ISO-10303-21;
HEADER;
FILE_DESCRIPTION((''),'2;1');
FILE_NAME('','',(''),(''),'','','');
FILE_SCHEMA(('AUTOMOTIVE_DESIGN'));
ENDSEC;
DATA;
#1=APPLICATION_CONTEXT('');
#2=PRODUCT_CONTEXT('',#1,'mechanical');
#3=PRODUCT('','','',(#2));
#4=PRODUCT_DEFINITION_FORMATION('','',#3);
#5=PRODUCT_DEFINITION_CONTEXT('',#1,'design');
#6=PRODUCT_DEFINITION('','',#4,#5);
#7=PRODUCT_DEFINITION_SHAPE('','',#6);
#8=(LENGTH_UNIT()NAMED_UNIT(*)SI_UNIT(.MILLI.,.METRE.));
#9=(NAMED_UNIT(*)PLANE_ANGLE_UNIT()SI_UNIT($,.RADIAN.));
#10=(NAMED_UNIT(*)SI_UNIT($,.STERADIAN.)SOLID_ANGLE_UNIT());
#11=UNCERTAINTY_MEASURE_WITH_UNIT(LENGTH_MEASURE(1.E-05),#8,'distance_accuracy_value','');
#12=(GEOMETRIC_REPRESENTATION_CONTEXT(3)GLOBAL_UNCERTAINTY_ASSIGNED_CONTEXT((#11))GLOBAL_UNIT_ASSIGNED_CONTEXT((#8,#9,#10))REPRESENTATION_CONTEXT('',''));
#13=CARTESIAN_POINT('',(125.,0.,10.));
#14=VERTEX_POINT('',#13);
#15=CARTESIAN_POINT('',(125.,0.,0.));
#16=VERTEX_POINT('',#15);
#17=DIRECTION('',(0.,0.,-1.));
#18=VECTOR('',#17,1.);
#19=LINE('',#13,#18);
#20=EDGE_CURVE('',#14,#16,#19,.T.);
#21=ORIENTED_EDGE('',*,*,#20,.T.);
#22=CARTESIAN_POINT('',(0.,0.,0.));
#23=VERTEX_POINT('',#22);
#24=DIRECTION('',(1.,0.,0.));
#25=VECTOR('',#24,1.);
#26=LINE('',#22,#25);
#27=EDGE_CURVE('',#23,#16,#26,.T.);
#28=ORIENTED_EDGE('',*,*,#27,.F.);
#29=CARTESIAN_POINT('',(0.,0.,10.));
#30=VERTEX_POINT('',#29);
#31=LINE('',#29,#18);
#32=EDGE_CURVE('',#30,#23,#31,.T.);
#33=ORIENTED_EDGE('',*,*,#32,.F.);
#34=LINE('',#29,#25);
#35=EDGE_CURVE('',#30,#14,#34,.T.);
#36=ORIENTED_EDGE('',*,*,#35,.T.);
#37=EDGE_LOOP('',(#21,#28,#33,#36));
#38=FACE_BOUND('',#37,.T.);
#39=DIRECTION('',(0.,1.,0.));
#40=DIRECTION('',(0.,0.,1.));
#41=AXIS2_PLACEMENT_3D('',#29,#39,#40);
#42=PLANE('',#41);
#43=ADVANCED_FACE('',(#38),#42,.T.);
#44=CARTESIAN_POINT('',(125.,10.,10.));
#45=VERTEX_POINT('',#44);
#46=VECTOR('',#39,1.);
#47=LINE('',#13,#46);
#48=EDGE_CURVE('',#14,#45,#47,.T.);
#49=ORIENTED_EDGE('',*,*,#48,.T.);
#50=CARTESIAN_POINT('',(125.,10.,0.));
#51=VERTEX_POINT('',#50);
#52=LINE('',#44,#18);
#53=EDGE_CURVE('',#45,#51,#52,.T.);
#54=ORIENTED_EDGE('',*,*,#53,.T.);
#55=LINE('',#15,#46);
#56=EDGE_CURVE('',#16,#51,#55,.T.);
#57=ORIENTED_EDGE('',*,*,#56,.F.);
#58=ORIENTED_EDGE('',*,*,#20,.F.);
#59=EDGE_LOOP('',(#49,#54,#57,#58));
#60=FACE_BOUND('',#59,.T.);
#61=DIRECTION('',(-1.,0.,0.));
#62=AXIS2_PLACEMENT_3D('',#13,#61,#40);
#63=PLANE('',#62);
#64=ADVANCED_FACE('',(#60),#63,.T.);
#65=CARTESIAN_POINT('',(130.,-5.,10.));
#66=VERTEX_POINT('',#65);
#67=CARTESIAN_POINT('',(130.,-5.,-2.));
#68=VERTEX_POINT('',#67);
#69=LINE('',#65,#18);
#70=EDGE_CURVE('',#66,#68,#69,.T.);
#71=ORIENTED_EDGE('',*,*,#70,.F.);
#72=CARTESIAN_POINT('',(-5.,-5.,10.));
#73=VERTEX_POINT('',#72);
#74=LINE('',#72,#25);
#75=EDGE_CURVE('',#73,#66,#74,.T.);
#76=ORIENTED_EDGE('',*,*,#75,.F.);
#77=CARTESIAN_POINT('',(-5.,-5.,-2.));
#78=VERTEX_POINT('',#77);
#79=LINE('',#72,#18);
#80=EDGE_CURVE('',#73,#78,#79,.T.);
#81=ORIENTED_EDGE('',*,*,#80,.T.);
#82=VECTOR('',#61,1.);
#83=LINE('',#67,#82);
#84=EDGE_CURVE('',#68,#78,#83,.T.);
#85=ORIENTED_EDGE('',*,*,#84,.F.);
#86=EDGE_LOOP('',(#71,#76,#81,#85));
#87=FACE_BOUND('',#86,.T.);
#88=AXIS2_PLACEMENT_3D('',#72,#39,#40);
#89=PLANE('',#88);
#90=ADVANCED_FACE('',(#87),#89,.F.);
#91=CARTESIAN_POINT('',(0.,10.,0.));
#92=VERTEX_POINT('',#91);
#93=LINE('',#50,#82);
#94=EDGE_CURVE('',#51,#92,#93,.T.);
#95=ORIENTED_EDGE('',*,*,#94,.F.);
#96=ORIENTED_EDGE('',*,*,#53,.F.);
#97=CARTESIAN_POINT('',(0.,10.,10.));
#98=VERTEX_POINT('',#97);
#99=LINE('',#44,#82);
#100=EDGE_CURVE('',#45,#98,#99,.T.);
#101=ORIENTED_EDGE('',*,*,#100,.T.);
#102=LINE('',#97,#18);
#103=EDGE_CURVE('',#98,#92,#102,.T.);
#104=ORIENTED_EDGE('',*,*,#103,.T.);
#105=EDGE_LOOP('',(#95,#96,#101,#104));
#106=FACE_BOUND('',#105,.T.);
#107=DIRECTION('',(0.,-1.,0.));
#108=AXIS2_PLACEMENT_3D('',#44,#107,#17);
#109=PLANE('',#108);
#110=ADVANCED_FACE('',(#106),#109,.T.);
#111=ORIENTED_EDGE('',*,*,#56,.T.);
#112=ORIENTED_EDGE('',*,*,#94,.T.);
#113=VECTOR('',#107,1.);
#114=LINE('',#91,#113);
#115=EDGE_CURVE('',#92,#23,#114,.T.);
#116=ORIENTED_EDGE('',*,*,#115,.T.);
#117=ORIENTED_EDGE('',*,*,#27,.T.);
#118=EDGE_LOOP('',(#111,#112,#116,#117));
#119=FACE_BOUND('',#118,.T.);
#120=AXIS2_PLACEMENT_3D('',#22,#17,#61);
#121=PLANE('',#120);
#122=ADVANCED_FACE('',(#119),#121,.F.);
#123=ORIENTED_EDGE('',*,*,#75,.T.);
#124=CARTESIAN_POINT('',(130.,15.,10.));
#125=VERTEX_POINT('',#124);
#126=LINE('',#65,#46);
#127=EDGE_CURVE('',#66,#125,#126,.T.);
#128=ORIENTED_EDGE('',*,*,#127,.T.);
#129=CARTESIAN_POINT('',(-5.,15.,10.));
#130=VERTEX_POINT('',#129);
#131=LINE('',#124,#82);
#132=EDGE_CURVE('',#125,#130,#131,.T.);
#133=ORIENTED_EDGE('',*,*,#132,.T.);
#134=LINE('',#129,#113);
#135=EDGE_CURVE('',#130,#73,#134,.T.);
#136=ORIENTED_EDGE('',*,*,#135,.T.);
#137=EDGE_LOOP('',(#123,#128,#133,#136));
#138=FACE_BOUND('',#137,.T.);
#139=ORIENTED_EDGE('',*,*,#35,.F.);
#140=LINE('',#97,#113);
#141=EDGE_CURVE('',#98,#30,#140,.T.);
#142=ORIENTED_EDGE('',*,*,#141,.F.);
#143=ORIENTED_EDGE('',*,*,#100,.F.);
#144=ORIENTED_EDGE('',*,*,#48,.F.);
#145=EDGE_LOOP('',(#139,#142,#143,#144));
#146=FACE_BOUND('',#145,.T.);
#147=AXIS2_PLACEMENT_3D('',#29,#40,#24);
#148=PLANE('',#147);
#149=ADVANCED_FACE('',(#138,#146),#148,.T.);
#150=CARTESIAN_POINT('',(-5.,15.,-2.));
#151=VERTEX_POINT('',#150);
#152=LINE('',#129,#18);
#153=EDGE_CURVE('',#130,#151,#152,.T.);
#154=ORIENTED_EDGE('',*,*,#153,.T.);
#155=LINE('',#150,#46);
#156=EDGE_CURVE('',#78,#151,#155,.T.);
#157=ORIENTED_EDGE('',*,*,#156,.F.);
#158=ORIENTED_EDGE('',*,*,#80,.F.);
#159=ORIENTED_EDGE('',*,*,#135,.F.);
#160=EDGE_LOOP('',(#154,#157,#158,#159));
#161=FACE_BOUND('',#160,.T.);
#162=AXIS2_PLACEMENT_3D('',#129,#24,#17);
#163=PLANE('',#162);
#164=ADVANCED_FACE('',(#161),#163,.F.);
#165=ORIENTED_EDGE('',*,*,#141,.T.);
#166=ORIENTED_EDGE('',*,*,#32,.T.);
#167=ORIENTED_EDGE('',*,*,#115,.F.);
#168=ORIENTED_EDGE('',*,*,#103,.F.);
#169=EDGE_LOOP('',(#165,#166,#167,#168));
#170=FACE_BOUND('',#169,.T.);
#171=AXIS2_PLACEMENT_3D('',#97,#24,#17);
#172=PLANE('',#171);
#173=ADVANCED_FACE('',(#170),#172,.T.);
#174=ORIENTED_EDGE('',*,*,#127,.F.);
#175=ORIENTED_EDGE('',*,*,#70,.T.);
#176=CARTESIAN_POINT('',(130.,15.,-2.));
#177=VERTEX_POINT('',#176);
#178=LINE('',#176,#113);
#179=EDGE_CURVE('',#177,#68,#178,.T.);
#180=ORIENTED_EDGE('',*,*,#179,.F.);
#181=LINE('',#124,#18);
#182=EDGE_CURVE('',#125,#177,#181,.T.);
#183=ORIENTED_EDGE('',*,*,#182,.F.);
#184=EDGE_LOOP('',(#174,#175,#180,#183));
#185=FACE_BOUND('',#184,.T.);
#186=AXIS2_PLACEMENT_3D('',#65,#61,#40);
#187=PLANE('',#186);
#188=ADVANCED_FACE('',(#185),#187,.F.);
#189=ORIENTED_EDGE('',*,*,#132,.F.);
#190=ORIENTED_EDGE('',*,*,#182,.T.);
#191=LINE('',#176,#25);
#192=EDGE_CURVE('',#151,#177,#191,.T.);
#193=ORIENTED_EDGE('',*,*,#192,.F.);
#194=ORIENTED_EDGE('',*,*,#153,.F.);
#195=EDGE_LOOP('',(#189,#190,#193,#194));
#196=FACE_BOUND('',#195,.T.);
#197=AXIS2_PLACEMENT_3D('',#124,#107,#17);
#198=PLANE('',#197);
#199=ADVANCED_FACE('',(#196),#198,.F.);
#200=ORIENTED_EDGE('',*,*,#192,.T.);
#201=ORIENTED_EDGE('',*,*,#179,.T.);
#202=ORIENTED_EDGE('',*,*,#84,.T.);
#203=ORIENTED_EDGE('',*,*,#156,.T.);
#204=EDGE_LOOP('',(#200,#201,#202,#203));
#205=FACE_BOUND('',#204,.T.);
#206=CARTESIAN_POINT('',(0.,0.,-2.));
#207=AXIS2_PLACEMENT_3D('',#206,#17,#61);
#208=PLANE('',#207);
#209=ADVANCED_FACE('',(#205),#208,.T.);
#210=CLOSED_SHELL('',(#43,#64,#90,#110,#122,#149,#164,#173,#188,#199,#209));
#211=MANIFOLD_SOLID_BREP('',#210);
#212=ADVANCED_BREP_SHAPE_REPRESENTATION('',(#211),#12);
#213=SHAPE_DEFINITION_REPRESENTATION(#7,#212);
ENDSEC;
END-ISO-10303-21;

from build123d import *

# Parameters (mm, degrees)
CROQUIS1_W              = 135
CROQUIS1_H              = 20
CROQUIS1_W_2            = 125
CROQUIS1_H_2            = 10
SALIENTE_EXTRUIR1_DEPTH = 10
CROQUIS2_W              = 135
CROQUIS2_H              = 20
SALIENTE_EXTRUIR2_DEPTH = 2


with BuildPart() as part:
    # Croquis1 → Saliente-Extruir1 (new body)
    with BuildSketch(Plane.XY):
        with Locations((62.5, 5)):
            Rectangle(CROQUIS1_W, CROQUIS1_H)
        with Locations((62.5, 5)):
            Rectangle(CROQUIS1_W_2, CROQUIS1_H_2, mode=Mode.SUBTRACT)
    extrude(amount=SALIENTE_EXTRUIR1_DEPTH)

    # Croquis2 → Saliente-Extruir2 (add)
    with BuildSketch(Plane(origin=(0, 0, 0), x_dir=(-1, 0, 0), z_dir=(0, 0, -1))):
        with Locations((-62.5, 5)):
            Rectangle(CROQUIS2_W, CROQUIS2_H)
    extrude(amount=SALIENTE_EXTRUIR2_DEPTH)


solid = part.part
